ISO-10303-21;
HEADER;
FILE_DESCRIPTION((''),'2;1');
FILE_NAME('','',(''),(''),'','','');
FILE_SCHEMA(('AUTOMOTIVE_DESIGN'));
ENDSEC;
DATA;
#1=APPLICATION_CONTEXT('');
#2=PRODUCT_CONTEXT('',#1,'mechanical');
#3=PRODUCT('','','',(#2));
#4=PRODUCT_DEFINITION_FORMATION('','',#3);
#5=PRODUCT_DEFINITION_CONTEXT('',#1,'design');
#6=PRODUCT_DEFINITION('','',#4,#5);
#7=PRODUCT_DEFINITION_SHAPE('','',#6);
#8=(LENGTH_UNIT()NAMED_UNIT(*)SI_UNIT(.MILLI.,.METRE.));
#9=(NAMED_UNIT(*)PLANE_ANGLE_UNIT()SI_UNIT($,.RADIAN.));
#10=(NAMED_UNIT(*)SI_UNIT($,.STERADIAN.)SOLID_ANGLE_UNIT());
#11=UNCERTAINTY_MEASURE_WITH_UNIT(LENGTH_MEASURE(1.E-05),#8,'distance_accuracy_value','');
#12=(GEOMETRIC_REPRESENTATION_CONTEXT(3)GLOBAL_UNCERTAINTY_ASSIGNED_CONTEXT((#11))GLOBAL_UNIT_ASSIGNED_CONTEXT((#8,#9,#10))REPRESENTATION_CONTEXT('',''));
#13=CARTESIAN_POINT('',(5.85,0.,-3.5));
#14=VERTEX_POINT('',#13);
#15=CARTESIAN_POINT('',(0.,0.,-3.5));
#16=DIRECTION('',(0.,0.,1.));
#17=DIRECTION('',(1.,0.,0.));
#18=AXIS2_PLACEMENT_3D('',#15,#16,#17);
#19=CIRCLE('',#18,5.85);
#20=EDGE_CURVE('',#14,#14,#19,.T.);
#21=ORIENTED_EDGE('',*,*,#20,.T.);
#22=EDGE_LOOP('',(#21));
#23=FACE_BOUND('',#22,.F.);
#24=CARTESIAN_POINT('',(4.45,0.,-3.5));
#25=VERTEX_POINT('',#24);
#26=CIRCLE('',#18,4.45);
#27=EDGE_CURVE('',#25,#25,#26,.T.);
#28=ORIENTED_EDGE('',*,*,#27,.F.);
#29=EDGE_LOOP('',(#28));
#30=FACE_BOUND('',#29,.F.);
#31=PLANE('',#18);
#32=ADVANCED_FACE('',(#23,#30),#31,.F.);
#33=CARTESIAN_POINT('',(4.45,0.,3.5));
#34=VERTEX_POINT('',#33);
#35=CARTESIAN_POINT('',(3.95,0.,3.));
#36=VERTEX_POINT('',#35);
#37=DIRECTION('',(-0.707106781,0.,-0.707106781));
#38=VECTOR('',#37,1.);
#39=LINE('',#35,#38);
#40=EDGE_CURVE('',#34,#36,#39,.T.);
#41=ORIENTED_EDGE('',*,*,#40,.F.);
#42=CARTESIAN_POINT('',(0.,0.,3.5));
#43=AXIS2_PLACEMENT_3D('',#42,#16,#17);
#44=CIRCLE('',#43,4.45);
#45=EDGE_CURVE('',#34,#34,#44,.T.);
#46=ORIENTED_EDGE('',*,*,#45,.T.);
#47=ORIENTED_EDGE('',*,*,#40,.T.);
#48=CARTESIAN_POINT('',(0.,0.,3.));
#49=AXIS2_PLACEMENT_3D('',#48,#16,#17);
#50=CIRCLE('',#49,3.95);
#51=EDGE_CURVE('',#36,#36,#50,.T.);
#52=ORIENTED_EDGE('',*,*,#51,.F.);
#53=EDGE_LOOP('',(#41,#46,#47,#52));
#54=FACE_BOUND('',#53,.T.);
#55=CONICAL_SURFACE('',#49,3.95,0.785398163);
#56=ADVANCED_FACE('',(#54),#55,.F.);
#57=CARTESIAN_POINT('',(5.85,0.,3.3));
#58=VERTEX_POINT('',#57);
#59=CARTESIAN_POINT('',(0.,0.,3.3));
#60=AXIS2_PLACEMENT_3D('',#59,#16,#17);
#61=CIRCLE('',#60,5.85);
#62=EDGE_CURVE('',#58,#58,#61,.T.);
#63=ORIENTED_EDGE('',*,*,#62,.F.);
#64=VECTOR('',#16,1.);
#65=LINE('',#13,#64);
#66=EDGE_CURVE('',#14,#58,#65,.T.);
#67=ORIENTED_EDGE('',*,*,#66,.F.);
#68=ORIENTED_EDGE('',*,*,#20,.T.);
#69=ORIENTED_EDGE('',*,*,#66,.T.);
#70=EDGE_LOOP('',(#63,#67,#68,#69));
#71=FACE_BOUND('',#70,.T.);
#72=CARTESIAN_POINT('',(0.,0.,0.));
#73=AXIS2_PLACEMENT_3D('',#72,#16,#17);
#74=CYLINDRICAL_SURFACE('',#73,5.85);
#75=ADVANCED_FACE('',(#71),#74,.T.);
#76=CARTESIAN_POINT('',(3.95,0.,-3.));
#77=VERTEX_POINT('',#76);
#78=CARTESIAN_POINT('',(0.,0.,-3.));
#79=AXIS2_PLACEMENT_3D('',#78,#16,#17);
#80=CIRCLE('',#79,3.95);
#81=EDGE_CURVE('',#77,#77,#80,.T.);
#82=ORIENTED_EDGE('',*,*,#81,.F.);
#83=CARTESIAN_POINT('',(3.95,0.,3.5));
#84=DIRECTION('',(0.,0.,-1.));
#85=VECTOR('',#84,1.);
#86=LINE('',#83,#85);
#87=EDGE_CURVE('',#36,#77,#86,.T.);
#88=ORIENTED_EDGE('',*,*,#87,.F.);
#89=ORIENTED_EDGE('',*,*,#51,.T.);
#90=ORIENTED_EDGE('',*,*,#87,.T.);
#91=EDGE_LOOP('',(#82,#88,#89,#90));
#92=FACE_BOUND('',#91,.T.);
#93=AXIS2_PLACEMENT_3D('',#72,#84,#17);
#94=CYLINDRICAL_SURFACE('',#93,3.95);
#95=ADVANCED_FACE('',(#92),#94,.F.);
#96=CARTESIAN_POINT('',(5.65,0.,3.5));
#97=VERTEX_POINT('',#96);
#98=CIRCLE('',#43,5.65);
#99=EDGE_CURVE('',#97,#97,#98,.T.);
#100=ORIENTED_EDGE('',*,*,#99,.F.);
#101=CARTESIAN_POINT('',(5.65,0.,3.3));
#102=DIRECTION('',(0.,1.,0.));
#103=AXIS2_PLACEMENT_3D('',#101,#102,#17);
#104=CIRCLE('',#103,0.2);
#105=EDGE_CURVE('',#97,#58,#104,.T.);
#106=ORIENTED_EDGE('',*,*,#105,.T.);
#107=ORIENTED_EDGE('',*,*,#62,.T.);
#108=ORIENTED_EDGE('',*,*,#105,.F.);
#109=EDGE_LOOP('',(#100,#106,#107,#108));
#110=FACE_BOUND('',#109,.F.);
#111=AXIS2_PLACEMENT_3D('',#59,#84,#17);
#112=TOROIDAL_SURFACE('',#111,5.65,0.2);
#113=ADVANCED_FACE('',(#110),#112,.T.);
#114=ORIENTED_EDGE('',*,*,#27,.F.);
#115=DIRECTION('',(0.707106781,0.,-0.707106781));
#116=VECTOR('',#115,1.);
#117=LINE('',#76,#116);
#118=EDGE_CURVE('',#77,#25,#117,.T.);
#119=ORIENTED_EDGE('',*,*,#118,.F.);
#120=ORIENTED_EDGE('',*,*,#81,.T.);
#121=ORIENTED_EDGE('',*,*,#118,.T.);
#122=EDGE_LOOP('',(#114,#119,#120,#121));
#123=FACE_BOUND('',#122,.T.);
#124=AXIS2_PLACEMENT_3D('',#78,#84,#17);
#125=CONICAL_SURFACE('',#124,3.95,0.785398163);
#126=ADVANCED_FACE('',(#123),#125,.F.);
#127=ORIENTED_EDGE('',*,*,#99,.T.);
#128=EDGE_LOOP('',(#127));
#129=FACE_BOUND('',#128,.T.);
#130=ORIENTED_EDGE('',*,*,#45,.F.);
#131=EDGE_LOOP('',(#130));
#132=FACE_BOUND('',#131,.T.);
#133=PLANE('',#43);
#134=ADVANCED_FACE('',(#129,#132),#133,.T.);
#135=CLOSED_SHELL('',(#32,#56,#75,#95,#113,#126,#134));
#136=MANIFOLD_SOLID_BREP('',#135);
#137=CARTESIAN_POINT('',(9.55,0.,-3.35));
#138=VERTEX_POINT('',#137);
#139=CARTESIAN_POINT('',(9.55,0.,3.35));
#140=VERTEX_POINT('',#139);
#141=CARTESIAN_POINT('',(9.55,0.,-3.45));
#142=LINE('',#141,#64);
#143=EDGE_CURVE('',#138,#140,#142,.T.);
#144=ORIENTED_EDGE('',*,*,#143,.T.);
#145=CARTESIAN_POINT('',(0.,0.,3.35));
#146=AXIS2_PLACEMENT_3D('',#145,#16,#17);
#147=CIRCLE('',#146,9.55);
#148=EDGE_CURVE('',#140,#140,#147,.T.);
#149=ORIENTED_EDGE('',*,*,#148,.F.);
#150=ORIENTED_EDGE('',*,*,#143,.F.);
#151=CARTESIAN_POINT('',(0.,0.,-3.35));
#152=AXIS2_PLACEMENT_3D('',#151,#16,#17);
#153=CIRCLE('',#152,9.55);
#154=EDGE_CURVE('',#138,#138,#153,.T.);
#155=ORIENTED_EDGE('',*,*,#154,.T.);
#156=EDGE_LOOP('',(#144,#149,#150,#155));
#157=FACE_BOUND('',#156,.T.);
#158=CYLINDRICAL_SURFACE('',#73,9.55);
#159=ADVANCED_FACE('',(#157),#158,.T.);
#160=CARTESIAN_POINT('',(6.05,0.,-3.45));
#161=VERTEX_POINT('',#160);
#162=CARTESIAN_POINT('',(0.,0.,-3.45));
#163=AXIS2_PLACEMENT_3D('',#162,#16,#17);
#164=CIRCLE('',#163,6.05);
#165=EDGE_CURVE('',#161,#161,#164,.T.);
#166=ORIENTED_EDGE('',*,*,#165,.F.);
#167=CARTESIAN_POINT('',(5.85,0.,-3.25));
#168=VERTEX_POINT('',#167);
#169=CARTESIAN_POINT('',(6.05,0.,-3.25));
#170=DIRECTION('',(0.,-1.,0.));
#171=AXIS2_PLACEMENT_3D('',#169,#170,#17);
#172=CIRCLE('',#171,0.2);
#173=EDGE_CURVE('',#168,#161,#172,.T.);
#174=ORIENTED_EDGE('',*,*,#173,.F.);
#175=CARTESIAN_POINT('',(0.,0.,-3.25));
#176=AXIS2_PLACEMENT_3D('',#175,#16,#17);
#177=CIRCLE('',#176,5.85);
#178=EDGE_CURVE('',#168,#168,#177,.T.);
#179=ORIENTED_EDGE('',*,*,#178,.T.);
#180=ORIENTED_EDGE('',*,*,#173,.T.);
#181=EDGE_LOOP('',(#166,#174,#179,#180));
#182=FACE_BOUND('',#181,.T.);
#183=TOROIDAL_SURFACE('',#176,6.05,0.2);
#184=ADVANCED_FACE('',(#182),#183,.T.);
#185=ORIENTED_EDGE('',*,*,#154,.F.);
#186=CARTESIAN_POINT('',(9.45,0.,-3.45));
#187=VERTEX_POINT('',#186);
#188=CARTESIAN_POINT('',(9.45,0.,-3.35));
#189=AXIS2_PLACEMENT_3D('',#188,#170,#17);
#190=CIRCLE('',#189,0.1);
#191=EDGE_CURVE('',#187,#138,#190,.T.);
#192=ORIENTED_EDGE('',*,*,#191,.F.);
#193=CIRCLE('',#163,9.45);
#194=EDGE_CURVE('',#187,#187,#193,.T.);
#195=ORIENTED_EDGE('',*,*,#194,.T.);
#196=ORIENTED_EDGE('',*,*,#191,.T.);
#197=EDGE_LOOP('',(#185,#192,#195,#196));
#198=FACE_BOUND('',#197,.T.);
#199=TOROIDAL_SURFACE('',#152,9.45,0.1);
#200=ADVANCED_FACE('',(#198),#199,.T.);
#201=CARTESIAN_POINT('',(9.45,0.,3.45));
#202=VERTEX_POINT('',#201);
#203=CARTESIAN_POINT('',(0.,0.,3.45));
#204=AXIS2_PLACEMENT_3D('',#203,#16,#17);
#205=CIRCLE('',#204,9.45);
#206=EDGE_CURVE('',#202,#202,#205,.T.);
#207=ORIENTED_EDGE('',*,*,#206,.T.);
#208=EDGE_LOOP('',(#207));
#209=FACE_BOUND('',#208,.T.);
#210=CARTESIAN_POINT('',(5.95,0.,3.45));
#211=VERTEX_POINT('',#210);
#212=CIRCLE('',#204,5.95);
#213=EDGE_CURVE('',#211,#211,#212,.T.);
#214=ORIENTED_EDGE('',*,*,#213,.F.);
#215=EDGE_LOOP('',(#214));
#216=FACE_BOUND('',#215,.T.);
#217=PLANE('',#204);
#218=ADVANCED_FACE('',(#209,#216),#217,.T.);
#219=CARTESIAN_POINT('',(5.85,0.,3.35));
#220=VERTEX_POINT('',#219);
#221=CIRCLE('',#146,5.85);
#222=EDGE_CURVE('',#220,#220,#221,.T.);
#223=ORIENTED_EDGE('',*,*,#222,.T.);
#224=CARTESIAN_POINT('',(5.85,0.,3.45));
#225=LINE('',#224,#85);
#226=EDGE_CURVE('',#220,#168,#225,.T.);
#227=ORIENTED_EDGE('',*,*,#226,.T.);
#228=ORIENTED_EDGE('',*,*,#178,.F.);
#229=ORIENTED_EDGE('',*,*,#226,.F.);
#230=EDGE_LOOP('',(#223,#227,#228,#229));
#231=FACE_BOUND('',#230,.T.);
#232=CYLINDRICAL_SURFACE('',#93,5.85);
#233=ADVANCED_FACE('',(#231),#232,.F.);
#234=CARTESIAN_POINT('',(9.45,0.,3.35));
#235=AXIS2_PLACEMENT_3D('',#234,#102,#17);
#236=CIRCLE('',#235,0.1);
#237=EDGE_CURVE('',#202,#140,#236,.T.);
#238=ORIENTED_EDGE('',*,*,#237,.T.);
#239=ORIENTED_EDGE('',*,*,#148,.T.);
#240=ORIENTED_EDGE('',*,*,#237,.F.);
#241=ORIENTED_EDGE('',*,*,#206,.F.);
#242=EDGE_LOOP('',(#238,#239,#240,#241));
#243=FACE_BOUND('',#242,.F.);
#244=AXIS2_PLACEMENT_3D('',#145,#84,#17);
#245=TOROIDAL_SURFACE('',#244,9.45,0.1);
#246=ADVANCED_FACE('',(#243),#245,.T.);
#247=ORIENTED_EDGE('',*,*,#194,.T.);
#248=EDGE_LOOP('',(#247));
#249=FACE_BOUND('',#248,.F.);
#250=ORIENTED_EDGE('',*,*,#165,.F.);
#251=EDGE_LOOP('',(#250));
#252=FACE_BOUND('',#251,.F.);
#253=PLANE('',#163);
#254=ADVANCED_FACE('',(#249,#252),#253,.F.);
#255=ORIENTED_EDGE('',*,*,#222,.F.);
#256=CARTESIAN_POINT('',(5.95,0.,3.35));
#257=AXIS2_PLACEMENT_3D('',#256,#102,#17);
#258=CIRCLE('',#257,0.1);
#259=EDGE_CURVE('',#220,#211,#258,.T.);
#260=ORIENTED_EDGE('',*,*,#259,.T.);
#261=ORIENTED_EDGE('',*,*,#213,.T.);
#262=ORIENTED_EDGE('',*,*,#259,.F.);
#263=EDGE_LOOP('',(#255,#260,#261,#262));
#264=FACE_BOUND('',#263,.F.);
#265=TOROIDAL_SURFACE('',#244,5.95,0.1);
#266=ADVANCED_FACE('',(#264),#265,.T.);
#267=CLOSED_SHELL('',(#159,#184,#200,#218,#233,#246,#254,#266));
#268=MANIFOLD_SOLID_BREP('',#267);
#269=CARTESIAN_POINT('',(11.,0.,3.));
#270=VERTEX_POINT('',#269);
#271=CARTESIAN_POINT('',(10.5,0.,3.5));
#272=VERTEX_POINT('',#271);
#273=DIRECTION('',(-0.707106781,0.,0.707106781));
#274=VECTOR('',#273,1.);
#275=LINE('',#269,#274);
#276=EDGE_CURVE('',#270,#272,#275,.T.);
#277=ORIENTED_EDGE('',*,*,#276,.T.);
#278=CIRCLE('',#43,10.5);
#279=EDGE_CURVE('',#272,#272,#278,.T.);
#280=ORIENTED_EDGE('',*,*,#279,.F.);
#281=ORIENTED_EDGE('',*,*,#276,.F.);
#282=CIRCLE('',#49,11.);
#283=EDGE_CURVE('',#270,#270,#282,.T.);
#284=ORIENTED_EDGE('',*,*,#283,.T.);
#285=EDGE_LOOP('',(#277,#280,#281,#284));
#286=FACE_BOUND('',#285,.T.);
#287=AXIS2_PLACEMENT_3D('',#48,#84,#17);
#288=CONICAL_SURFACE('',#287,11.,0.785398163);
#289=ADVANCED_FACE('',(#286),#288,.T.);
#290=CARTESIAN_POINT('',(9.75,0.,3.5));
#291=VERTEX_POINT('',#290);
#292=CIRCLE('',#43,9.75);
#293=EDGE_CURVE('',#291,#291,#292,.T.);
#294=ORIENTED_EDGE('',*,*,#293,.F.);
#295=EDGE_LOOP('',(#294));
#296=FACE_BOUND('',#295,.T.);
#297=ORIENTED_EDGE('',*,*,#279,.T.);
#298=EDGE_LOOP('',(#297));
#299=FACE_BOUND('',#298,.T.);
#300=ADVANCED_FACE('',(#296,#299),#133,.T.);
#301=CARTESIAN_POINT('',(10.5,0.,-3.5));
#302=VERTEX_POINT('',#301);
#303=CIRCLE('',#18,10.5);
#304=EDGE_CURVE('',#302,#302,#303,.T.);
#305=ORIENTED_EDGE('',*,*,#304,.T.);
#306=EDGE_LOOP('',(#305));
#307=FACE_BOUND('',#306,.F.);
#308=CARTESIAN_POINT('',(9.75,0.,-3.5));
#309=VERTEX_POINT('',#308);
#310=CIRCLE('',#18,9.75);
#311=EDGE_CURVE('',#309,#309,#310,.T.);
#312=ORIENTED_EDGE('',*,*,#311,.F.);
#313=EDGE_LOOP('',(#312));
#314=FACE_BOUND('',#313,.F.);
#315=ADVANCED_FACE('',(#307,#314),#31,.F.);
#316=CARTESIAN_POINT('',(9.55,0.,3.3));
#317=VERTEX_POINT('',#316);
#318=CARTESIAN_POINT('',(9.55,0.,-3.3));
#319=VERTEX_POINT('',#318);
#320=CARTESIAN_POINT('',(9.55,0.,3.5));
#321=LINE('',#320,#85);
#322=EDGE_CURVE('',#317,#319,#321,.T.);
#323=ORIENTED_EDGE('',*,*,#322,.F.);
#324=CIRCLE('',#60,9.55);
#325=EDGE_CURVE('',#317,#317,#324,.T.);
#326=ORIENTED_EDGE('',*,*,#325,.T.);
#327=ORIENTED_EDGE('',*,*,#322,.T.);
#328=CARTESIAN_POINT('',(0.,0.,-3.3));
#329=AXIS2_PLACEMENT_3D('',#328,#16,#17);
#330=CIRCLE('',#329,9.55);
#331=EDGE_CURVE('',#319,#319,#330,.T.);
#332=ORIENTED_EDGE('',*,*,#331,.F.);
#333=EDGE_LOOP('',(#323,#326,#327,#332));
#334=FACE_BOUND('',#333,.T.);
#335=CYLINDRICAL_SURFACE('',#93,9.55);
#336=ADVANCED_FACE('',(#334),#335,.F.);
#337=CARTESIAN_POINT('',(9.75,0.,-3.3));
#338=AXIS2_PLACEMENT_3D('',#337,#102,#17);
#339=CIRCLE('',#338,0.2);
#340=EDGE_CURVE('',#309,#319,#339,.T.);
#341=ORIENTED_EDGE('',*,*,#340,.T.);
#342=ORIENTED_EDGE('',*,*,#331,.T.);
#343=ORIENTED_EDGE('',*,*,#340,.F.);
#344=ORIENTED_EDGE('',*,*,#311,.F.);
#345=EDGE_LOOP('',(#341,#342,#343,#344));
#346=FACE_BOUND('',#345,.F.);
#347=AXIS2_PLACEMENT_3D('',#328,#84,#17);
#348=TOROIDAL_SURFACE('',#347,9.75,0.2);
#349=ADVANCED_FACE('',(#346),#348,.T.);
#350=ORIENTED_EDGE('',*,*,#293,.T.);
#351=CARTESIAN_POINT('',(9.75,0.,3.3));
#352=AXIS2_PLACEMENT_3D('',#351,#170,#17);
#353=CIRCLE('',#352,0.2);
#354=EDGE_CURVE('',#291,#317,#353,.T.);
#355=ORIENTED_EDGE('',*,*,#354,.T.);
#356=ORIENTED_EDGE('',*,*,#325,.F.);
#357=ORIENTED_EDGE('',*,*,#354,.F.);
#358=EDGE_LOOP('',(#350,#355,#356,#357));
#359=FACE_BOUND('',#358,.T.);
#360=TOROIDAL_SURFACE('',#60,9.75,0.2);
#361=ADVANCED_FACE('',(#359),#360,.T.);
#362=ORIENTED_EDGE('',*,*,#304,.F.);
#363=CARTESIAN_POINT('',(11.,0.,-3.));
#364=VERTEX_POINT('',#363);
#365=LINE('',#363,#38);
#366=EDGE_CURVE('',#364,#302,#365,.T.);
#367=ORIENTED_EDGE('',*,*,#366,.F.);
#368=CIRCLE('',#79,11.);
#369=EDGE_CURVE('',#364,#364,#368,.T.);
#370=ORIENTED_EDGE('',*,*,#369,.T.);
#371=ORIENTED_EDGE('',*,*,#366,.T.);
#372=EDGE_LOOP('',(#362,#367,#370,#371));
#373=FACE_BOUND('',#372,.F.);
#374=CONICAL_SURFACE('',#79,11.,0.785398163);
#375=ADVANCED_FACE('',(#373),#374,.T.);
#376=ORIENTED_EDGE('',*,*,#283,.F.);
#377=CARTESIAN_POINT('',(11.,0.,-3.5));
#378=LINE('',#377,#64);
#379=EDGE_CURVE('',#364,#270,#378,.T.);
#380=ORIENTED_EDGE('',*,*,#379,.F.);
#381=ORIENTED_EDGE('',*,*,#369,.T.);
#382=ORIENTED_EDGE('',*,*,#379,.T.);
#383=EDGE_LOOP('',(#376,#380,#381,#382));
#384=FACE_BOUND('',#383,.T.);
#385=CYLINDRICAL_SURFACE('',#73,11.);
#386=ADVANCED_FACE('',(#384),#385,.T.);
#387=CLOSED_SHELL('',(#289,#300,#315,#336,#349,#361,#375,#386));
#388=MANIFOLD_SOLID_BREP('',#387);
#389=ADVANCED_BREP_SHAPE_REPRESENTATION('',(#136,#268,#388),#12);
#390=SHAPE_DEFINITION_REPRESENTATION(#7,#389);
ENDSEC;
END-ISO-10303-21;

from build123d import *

# Parameters (mm, degrees)
F0_R      = 11
F0_R_2    = 9.55
F1_DEPTH  = 3.5
F0_R_3    = 5.85
F0_R_4    = 3.95
F2_DEPTH  = 3.45
F3_SIZE   = 0.5
F3_2_SIZE = 0.5
F4_R      = 0.2
F4_2_R    = 0.2
F4_3_R    = 0.2
F5_R      = 0.1


with BuildPart() as f1:
    # F0 (on Top) → F1 (new body, symmetric)
    with BuildSketch(Plane.XY):
        Circle(F0_R)
        Circle(F0_R_2, mode=Mode.SUBTRACT)
    extrude(amount=F1_DEPTH, both=True)

    # F3
    f3_edges = [f1.edges().sort_by_distance(p)[0] for p in [
        (-11, 0, 3.5),
        (-11, 0, -3.5),
    ]]
    chamfer(f3_edges, length=F3_SIZE)

    # F4#2
    f4_2_edges = [f1.edges().sort_by_distance(p)[0] for p in [
        (-9.55, 0, 3.5),
        (-9.55, 0, -3.5),
    ]]
    fillet(f4_2_edges, radius=F4_2_R)


with BuildPart() as f1b:
    # F0 (on Top) → F1, piece 2 (new body, symmetric)
    with BuildSketch(Plane.XY):
        Circle(F0_R_3)
        Circle(F0_R_4, mode=Mode.SUBTRACT)
    extrude(amount=F1_DEPTH, both=True)

    # F3#2
    f3_2_edges = [f1b.edges().sort_by_distance(p)[0] for p in [
        (-3.95, 0, 3.5),
        (-3.95, 0, -3.5),
    ]]
    chamfer(f3_2_edges, length=F3_2_SIZE)

    # F4
    f4_edges = [f1b.edges().sort_by_distance(p)[0] for p in [
        (-5.85, 0, 3.5),
    ]]
    fillet(f4_edges, radius=F4_R)


with BuildPart() as f2:
    # F0 (on Top) → F2 (new body, symmetric)
    with BuildSketch(Plane.XY):
        Circle(F0_R_2)
        Circle(F0_R_3, mode=Mode.SUBTRACT)
    extrude(amount=F2_DEPTH, both=True)

    # F4#3
    f4_3_edges = [f2.edges().sort_by_distance(p)[0] for p in [
        (-5.85, 0, -3.45),
    ]]
    fillet(f4_3_edges, radius=F4_3_R)

    # F5
    f5_edges = [f2.edges().sort_by_distance(p)[0] for p in [
        (-5.85, 0, 3.45),
        (-9.55, 0, 3.45),
        (-9.55, 0, -3.45),
        (5.908579, 0, -3.391421),
        (-5.85, 0, -3.25),
        (-6.05, 0, -3.45),
    ]]
    fillet(f5_edges, radius=F5_R)


solid = Compound([f1.part, f1b.part, f2.part])
